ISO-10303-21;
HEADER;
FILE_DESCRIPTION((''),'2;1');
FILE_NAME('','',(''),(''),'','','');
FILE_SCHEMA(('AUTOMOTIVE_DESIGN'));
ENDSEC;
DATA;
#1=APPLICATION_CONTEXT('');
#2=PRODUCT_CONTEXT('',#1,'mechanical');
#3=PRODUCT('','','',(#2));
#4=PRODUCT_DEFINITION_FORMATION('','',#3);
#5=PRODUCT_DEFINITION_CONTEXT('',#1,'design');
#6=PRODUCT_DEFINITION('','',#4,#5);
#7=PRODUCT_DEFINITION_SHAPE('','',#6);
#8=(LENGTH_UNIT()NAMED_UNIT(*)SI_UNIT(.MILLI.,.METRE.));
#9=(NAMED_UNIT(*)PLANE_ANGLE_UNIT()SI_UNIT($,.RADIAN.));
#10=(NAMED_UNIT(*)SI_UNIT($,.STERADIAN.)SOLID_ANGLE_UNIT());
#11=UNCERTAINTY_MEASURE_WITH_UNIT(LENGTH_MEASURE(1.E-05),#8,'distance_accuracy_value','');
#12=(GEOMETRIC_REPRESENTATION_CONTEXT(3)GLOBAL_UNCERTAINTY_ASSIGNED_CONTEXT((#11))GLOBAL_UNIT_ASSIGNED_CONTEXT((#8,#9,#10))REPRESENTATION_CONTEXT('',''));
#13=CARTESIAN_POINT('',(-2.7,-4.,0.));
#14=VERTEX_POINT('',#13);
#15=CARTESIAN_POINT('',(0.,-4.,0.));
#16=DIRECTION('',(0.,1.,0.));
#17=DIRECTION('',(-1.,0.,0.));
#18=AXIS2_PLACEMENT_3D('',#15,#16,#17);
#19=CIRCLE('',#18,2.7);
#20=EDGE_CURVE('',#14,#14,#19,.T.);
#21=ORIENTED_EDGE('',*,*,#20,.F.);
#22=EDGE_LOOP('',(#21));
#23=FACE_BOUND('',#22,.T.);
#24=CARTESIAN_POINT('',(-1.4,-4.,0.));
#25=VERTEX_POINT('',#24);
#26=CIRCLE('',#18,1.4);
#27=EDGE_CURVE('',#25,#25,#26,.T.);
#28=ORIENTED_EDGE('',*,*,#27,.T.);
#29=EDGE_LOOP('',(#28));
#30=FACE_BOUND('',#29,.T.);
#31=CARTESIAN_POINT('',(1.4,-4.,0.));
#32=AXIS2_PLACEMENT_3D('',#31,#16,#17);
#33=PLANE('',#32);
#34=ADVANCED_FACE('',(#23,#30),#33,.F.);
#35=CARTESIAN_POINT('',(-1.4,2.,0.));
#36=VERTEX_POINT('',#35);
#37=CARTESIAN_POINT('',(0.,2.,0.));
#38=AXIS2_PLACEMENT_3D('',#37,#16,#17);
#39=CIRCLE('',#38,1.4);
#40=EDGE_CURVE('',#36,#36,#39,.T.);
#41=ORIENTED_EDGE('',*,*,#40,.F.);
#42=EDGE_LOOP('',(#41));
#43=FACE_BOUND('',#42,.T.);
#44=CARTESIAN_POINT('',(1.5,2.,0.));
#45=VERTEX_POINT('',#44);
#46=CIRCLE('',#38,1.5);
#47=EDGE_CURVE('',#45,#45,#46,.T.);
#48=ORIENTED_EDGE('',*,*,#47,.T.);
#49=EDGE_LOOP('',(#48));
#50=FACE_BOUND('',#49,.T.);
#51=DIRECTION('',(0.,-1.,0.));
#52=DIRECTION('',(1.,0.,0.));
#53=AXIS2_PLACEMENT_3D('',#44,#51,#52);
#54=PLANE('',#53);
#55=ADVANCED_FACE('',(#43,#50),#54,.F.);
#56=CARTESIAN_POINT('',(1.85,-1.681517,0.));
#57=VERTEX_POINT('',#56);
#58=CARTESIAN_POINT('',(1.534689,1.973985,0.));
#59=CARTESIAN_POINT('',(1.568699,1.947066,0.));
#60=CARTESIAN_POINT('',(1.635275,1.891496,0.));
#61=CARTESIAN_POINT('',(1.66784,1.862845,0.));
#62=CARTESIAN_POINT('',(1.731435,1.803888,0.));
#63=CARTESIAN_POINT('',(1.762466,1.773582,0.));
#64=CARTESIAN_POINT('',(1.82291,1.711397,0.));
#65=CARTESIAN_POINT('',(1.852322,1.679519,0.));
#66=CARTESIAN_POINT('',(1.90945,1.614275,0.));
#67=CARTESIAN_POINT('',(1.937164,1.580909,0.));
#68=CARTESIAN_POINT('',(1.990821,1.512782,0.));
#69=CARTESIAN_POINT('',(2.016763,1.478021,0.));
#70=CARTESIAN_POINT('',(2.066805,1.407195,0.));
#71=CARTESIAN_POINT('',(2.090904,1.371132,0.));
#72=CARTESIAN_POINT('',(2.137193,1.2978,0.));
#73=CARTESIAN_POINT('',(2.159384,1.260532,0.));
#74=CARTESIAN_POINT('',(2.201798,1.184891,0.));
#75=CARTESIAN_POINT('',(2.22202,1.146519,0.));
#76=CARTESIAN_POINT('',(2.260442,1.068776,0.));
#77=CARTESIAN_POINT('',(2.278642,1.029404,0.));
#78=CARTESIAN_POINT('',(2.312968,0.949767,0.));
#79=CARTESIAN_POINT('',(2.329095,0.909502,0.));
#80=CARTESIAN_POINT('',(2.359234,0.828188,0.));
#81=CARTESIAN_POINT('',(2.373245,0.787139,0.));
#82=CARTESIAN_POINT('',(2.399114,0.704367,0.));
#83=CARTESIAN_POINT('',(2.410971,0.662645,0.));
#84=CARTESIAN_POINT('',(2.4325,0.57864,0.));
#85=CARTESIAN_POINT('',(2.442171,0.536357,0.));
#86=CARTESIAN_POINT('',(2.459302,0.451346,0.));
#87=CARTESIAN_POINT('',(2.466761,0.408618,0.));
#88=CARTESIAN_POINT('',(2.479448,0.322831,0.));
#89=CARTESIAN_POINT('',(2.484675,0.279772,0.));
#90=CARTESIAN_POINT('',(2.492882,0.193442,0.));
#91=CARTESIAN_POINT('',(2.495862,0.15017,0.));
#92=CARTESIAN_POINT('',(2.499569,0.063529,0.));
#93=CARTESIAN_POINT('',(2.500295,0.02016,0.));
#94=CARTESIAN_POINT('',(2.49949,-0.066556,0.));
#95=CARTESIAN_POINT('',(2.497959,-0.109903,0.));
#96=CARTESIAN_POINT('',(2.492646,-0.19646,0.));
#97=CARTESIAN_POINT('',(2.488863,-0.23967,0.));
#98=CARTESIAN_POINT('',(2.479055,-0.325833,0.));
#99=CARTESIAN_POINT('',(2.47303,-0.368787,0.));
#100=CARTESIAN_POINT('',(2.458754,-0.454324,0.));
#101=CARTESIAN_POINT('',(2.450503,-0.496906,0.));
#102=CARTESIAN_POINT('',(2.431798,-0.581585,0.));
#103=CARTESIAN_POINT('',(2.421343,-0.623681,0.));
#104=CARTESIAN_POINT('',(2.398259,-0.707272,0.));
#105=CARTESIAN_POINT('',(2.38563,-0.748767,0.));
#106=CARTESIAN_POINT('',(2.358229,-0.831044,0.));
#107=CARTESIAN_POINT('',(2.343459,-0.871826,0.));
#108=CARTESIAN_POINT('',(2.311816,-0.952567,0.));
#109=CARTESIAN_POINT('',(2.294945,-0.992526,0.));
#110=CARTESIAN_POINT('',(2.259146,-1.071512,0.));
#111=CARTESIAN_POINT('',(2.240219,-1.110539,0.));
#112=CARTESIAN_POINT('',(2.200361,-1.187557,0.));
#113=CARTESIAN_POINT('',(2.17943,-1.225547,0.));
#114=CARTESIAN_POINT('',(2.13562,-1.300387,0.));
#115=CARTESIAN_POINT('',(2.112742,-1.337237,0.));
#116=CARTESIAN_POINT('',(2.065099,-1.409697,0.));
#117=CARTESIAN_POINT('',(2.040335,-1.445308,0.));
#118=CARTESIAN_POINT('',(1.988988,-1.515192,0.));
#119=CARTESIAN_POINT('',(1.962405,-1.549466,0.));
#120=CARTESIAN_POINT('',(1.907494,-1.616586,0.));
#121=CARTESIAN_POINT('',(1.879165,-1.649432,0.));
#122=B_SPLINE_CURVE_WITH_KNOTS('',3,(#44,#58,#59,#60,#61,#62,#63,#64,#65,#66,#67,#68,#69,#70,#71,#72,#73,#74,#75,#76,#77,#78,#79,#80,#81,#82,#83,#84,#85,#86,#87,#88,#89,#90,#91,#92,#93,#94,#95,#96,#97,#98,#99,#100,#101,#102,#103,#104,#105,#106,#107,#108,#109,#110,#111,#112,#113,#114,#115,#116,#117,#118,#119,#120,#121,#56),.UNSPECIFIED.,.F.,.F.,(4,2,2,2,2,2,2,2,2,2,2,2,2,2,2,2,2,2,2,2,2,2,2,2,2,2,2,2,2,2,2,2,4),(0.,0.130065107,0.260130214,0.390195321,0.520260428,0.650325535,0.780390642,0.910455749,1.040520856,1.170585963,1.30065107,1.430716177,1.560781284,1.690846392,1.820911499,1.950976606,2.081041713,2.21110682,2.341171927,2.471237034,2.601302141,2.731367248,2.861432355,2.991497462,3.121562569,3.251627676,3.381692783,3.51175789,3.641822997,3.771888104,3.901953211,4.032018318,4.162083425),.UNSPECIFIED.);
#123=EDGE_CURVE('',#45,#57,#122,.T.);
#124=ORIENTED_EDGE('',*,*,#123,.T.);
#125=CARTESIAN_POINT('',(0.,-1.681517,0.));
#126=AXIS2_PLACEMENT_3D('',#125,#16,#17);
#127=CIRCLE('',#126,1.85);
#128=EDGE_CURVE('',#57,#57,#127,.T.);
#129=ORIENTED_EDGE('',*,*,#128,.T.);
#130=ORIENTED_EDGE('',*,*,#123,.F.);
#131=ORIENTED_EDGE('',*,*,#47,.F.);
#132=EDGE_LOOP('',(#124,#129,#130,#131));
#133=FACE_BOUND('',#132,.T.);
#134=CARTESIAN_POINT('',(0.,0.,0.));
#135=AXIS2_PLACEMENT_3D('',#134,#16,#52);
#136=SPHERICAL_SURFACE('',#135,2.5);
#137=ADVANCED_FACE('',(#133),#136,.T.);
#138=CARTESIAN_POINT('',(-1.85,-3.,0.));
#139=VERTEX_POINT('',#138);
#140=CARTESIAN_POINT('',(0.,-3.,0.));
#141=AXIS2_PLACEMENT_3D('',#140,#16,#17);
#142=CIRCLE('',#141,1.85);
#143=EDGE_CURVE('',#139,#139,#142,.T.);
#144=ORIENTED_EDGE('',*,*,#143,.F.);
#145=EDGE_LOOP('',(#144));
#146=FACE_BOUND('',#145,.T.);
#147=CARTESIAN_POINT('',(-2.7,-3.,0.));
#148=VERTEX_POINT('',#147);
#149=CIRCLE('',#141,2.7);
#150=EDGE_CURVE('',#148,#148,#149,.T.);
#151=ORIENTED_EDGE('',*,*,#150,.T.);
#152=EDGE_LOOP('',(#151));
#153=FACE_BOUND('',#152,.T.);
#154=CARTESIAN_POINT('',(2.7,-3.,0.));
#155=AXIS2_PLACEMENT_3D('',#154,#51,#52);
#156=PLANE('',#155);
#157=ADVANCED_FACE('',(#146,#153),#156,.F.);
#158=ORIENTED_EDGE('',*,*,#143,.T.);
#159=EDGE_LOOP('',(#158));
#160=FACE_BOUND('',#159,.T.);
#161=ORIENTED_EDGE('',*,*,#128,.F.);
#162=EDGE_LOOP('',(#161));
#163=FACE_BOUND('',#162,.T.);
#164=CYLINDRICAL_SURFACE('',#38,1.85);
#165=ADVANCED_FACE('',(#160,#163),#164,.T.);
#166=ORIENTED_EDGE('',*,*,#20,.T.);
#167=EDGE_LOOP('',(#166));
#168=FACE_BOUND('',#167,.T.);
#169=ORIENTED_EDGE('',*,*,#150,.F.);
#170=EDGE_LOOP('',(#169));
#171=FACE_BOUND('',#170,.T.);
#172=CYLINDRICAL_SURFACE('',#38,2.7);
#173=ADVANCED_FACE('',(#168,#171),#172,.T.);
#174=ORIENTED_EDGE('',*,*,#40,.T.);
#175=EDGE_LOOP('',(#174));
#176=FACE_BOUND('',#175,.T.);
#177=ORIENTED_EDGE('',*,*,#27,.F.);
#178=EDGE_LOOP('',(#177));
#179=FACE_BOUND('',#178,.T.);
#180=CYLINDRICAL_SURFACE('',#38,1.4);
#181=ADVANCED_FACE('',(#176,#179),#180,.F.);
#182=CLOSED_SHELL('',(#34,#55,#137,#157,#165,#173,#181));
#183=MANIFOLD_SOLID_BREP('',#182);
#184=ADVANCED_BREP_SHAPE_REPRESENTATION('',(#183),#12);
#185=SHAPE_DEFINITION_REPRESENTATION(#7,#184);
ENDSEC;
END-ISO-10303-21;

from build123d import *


with BuildPart() as part:
    # Esquisse1 → Révolution1 (revolve)
    with BuildSketch(Plane.XY, mode=Mode.PRIVATE) as r_volution1_sk:
        with BuildLine():
            Line((1.5, 2), (1.4, 2))
            Line((1.4, 2), (1.4, -4))
            Line((1.4, -4), (2.7, -4))
            Line((2.7, -4), (2.7, -3))
            Line((2.7, -3), (1.85, -3))
            Line((1.85, -3), (1.85, -1.681517172))
            ThreePointArc((1.85, -1.681517172), (2.488778249, 0.236606906), (1.5, 2))
        make_face()
    revolve(r_volution1_sk.sketch.rotate(Axis((0, 2, 0), (0, -1, 0)), 180), axis=Axis((0, 2, 0), (0, -1, 0)))


solid = part.part
